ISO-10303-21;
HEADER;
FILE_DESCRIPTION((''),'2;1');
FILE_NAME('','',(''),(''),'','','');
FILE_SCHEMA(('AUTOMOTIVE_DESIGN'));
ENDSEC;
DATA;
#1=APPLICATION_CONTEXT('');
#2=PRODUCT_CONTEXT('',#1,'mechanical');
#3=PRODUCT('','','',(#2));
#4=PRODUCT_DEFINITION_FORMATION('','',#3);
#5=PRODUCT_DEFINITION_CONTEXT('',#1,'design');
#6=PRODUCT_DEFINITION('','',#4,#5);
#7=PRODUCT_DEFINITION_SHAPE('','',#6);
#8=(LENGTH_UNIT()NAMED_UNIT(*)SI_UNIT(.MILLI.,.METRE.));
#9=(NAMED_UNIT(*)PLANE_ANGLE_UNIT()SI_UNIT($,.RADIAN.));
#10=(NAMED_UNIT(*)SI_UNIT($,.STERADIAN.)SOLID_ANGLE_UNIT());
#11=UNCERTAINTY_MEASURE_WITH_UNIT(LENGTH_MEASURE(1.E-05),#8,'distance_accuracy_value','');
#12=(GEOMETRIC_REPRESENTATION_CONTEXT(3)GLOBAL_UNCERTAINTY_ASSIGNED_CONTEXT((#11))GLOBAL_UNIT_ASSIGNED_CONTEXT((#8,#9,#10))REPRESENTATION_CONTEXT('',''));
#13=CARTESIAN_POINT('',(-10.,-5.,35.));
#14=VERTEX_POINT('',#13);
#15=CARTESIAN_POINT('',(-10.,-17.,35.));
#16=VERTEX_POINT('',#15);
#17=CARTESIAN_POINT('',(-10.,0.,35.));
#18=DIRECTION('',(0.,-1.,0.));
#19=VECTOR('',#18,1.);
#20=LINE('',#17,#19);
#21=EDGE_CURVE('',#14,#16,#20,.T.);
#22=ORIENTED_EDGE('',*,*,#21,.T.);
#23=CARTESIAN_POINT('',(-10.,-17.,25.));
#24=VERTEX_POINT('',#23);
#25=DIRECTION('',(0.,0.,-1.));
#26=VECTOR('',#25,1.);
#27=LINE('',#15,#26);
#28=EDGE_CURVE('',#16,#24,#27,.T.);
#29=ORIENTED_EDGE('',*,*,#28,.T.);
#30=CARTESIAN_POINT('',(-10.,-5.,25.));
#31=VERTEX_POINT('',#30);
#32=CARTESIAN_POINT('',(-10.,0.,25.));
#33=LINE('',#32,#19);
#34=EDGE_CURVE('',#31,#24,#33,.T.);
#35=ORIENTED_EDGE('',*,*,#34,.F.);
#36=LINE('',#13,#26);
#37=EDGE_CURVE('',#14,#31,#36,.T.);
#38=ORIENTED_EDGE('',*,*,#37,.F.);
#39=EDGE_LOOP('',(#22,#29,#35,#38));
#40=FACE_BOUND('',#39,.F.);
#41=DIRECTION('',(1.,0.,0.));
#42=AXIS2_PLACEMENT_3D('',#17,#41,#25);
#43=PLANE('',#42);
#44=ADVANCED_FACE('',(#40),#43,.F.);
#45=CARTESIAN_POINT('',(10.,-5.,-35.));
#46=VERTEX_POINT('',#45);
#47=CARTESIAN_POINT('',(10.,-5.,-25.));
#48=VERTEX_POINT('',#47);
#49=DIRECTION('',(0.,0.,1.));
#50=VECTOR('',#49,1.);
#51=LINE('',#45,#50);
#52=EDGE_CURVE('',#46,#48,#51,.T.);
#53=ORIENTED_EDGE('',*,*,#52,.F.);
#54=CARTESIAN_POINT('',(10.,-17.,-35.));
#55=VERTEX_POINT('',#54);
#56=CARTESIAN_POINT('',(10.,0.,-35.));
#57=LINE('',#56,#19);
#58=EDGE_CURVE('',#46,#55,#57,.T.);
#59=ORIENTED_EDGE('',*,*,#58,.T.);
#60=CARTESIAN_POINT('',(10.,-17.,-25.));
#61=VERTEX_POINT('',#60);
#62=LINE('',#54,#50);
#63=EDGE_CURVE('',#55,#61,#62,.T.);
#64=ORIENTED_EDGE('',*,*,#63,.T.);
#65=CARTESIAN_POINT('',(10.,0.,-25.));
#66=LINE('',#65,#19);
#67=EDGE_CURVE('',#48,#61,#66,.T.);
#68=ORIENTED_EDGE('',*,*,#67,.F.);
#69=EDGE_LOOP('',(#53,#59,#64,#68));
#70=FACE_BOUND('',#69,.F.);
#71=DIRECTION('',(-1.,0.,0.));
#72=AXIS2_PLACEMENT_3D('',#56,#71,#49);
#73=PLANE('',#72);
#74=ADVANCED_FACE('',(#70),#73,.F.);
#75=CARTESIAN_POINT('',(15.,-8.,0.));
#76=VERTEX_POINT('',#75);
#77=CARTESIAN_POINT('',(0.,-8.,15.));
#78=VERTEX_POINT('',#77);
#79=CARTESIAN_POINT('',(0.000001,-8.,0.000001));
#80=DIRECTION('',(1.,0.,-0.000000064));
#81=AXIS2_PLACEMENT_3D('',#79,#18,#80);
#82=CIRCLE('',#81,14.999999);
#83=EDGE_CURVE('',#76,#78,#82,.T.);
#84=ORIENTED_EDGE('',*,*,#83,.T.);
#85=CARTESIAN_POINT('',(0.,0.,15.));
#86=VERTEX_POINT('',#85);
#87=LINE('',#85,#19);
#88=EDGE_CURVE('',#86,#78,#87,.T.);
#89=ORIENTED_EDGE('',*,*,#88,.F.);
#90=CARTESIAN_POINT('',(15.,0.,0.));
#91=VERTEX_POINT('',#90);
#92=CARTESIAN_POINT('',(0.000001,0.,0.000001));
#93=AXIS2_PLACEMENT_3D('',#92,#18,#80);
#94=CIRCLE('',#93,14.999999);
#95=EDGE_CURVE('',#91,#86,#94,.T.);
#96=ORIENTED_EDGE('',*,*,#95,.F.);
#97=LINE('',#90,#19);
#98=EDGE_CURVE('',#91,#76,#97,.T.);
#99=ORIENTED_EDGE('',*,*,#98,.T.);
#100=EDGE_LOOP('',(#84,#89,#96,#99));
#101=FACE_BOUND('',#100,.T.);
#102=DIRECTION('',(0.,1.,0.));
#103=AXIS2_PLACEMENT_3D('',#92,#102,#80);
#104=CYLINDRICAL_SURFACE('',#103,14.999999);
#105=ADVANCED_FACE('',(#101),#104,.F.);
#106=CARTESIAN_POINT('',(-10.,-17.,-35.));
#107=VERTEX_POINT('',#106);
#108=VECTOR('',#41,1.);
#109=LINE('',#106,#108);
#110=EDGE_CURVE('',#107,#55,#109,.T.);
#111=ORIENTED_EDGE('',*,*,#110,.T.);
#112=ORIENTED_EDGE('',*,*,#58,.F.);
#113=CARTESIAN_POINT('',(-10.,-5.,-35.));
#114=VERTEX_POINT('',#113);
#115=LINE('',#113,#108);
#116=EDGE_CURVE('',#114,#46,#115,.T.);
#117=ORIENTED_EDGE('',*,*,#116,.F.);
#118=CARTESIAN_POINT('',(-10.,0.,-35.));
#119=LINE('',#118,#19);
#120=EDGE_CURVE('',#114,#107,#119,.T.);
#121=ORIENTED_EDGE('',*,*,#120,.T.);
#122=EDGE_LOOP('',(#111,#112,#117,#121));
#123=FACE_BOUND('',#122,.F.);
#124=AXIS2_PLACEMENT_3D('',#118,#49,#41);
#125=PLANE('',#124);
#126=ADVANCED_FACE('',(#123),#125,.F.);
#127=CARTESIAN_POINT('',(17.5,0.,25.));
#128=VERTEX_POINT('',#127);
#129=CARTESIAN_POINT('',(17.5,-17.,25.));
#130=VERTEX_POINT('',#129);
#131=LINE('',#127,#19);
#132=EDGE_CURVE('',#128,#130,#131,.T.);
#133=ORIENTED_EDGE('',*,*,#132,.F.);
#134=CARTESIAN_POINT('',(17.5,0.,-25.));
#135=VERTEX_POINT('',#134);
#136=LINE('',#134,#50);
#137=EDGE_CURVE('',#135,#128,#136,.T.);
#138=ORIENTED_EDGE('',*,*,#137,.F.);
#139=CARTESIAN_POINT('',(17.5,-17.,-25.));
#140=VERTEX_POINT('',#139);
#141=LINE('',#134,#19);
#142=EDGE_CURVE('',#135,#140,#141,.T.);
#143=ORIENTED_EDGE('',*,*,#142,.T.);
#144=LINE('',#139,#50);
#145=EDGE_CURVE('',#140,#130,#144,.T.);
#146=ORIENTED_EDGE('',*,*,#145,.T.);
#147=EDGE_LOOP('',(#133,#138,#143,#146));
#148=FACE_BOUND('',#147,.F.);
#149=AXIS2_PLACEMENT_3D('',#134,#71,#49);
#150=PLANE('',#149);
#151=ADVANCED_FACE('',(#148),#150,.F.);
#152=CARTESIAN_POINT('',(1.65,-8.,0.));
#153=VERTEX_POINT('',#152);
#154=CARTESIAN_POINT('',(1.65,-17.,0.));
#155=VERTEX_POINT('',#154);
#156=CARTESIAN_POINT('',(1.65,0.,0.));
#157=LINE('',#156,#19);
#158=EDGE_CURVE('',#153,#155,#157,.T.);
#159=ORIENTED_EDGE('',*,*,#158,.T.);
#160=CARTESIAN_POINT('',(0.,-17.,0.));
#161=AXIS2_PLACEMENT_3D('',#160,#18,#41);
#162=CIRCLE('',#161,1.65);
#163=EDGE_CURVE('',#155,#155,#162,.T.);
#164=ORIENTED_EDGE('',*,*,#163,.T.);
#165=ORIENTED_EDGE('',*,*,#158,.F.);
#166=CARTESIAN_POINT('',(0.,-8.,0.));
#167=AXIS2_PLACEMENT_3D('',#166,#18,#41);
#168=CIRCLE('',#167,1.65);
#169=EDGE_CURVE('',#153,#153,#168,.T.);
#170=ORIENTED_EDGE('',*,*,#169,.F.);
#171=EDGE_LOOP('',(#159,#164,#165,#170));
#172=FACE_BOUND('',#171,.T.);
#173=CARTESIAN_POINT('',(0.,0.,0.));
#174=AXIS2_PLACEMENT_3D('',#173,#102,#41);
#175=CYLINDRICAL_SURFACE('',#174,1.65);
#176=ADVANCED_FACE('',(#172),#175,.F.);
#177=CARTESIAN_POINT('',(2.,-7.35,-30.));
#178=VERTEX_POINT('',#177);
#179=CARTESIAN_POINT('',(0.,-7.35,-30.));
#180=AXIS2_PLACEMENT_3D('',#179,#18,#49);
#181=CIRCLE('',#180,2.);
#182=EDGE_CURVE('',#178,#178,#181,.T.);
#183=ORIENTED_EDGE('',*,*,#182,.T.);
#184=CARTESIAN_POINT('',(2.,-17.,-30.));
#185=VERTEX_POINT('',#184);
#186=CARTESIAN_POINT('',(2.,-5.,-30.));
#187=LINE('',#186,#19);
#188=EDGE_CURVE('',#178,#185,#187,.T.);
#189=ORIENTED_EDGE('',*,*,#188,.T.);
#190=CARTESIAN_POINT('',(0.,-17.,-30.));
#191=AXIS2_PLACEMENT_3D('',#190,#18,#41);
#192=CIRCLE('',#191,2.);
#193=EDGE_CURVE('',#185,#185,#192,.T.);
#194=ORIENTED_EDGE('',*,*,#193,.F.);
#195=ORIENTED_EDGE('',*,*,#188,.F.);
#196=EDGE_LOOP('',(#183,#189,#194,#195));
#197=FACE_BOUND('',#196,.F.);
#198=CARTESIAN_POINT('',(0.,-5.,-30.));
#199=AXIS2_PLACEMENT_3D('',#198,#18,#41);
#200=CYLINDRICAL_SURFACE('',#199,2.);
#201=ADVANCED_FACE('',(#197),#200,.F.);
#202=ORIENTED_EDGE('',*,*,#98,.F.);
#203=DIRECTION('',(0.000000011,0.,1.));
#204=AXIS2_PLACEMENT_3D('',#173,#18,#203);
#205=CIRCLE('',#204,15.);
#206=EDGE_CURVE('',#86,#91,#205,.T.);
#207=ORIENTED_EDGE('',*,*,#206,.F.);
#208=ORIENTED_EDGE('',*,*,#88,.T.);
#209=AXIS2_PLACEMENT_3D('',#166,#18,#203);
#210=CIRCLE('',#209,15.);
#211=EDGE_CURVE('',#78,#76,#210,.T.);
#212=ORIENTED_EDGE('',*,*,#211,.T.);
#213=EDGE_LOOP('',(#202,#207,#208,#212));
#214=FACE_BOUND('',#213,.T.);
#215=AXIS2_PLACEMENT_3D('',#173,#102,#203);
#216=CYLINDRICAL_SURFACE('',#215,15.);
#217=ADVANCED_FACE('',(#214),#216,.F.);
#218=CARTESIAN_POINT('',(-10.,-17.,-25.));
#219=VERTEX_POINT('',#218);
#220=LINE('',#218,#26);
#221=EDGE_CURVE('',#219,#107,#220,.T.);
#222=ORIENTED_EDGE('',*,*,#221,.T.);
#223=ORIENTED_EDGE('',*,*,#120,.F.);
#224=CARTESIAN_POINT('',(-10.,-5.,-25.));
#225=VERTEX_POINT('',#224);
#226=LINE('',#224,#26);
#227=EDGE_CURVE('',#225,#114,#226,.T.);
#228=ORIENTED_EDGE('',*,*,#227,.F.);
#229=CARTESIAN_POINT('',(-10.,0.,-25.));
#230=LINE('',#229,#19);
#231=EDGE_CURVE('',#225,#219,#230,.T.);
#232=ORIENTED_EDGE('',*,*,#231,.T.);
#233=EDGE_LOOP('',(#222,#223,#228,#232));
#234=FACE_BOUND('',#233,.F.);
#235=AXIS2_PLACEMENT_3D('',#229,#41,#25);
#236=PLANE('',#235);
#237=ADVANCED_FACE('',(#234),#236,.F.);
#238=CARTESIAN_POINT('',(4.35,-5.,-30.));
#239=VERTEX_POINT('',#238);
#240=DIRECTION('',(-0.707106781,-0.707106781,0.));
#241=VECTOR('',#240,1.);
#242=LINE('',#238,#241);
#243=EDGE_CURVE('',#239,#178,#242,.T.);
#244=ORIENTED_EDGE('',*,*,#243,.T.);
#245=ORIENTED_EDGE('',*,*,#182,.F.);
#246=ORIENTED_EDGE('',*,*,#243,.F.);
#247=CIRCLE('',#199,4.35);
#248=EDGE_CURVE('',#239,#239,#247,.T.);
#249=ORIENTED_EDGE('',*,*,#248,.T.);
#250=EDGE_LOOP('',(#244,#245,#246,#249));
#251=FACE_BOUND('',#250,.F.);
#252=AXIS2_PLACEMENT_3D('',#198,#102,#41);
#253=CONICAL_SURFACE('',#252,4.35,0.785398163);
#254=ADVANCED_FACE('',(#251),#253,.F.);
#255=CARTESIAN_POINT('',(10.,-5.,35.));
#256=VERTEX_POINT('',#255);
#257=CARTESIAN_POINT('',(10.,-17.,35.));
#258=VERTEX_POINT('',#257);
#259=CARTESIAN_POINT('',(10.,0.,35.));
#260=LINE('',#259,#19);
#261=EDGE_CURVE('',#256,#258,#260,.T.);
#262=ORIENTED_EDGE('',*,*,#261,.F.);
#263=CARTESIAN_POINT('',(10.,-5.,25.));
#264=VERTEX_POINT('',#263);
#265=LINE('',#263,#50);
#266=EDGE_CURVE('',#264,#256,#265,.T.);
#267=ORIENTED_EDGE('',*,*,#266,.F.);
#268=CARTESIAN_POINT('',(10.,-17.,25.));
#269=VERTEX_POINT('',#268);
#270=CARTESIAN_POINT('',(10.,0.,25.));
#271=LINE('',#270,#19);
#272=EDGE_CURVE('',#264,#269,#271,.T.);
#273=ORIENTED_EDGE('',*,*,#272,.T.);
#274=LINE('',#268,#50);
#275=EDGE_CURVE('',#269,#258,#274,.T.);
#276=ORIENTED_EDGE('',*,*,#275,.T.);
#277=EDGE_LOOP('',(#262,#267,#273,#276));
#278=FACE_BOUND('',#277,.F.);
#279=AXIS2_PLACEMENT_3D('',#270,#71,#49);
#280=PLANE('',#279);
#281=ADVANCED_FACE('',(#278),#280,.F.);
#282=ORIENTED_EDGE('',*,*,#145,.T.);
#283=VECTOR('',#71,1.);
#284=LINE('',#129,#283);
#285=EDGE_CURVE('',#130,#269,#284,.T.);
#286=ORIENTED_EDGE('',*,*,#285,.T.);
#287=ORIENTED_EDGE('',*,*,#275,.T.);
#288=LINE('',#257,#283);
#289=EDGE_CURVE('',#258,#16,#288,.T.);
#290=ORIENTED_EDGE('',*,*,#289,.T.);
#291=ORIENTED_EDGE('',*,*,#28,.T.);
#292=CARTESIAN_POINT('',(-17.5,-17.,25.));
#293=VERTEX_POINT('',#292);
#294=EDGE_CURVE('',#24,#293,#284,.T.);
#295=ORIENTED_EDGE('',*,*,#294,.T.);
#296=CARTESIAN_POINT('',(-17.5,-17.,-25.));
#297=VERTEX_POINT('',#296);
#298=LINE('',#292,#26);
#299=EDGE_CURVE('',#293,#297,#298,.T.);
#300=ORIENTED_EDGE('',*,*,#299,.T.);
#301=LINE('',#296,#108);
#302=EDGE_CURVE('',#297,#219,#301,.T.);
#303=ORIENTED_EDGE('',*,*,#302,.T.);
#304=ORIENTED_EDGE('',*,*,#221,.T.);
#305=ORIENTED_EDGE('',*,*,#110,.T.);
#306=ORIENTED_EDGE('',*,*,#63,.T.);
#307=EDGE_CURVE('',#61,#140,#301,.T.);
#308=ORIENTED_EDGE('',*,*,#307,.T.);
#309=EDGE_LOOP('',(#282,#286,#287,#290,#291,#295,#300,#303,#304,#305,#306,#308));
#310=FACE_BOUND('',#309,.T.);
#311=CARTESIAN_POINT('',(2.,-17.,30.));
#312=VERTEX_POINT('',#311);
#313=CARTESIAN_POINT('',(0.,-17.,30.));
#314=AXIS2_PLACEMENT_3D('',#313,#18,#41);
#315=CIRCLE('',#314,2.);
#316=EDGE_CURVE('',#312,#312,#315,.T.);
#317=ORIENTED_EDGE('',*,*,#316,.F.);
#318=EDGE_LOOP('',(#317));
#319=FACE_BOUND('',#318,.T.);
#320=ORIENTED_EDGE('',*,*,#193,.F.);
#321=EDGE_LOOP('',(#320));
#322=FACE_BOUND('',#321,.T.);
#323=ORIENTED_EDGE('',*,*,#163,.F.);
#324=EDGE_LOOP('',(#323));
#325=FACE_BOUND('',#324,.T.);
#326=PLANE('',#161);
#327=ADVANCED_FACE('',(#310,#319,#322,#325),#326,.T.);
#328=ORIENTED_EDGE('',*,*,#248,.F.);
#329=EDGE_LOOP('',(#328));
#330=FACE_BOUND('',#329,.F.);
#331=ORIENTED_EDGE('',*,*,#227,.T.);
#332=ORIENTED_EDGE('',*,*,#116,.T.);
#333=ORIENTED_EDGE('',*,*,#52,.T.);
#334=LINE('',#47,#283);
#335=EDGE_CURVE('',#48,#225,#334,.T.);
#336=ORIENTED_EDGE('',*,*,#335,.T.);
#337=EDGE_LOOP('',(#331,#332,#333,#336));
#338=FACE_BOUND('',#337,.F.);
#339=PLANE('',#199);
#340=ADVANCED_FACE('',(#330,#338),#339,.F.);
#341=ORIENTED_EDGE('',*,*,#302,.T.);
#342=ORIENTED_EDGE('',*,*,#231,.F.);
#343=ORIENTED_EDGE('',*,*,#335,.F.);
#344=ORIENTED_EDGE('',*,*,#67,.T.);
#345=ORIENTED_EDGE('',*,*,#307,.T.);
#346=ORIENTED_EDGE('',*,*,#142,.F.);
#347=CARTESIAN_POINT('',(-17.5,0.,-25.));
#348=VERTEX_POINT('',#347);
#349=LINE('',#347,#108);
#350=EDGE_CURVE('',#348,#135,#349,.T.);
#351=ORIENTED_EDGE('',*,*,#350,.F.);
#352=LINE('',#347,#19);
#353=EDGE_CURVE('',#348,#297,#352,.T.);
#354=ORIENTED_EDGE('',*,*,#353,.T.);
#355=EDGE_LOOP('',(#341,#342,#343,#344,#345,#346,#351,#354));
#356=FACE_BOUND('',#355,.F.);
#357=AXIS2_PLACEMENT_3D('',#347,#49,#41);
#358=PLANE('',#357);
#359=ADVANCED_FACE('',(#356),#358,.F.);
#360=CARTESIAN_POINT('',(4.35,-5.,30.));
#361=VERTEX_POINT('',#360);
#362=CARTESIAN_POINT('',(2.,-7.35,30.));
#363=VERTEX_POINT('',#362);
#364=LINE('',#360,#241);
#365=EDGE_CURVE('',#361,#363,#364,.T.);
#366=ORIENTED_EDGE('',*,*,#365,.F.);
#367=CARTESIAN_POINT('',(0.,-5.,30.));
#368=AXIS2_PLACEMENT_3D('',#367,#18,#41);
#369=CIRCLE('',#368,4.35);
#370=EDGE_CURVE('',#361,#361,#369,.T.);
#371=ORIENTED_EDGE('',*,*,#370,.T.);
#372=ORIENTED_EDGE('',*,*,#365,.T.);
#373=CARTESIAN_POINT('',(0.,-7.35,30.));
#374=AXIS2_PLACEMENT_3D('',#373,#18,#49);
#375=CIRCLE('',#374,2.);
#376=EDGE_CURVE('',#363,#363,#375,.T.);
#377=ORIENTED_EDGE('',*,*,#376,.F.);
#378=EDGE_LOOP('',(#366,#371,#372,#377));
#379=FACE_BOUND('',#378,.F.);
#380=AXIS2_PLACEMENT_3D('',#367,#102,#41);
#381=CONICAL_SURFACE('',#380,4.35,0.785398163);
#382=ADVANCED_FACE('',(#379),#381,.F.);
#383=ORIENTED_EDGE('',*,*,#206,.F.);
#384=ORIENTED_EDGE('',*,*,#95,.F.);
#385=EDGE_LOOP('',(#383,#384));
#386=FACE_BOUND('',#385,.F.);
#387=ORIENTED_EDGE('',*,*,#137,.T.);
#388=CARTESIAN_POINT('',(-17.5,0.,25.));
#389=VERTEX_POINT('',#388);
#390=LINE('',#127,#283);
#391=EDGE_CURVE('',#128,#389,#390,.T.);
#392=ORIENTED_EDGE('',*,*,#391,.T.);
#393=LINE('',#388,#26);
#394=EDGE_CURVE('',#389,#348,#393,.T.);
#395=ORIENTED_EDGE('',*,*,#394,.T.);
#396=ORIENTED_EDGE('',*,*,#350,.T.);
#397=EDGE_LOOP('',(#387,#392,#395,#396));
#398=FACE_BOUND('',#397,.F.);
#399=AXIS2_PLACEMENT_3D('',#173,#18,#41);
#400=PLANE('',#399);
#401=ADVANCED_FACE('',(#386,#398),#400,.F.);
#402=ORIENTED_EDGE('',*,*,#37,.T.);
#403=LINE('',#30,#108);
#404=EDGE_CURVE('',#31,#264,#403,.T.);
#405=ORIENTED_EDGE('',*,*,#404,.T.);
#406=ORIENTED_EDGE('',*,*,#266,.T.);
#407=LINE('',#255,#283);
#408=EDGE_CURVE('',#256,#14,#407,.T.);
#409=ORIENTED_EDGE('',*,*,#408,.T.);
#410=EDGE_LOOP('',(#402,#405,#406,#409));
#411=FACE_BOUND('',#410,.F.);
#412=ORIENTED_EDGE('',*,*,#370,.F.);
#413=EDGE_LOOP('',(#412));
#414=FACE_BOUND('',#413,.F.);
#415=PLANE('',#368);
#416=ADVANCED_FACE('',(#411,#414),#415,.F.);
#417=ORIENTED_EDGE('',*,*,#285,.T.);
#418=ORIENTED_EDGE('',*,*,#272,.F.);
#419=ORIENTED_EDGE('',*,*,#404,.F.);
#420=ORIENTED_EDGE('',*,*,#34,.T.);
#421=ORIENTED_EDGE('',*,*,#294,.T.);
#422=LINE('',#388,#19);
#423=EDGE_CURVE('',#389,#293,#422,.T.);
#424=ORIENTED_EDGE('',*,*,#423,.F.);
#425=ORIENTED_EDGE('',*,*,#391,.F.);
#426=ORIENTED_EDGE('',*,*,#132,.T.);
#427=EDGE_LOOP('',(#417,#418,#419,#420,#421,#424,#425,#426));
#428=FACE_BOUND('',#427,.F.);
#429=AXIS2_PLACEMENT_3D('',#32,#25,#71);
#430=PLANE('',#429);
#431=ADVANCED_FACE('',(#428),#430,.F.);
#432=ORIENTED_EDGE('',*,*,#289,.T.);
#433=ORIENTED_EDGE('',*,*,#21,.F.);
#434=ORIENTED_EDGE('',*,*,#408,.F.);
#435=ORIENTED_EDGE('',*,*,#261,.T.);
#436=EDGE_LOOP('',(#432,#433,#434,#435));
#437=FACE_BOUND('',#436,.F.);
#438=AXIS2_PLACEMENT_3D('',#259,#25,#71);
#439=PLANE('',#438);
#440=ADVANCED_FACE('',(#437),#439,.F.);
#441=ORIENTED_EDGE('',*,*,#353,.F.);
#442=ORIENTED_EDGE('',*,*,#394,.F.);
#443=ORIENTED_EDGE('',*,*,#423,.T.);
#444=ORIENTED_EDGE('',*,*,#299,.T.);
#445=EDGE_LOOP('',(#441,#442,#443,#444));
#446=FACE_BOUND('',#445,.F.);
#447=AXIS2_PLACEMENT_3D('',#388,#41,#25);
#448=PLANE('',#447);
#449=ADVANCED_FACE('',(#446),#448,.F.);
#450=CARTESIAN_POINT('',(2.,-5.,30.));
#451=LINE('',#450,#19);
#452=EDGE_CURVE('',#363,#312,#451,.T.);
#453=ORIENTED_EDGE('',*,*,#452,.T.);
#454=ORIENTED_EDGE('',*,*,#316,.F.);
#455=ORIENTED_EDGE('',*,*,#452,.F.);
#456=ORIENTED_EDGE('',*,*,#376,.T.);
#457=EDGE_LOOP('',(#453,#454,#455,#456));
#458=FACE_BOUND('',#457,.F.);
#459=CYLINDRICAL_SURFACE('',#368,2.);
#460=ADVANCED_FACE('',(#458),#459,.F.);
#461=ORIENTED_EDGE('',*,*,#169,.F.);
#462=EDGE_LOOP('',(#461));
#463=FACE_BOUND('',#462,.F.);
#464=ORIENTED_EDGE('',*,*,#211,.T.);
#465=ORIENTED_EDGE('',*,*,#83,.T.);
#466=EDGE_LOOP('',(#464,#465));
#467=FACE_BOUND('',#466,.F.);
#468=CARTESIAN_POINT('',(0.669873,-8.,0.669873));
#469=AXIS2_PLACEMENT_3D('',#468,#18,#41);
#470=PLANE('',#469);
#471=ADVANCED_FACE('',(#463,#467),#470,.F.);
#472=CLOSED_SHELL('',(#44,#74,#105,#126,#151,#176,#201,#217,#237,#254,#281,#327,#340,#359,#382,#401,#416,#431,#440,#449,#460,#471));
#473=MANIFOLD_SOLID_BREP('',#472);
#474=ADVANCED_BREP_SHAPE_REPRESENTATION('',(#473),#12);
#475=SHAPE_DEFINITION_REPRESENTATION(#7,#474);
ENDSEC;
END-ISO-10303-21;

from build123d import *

# Parameters (mm, degrees)
F0_R           = 1.65
F1_DEPTH       = 17
F2_DEPTH       = 8
F3_DEPTH       = 5
F6_D           = 4
F6_CSINK_D     = 8.7
F6_CSINK_ANGLE = 90


with BuildPart() as f1:
    # F0 (on Front) → F1 (new body)
    with BuildSketch(Plane.XZ):
        Polygon((10, 25), (0, 25), (-10, 25), (-17.5, 25), (-17.5, 0), (-17.5, -25), (-10, -25), (0, -25), (10, -25), (17.5, -25), (17.5, 25), align=None)
        with BuildLine():
            ThreePointArc((0, 15), (10.606602, 10.606602), (15, 0))
            ThreePointArc((15, 0), (-10.606602, -10.606602), (0, 15))
        make_face(mode=Mode.SUBTRACT)
        with BuildLine():
            ThreePointArc((0, 15), (-10.606602, -10.606602), (15, 0))
            ThreePointArc((15, 0), (10.606602, 10.606602), (0, 15))
        make_face()
        Circle(F0_R, mode=Mode.SUBTRACT)
        Polygon((-10, 25), (0, 25), (10, 25), (10, 35), (0, 35), (-10, 35), align=None)
        Polygon((10, -35), (10, -25), (0, -25), (-10, -25), (-10, -35), (0, -35), align=None)
    extrude(amount=F1_DEPTH)

    # F0 (on Front) → F2 (cut)
    with BuildSketch(Plane.XZ):
        with BuildLine():
            ThreePointArc((0, 15), (-10.606602, -10.606602), (15, 0))
            ThreePointArc((15, 0), (10.606602, 10.606602), (0, 15))
        make_face()
        Circle(F0_R, mode=Mode.SUBTRACT)
    extrude(amount=F2_DEPTH, mode=Mode.SUBTRACT)

    # F0 (on Front) → F3 (cut)
    with BuildSketch(Plane.XZ):
        Polygon((-10, 25), (0, 25), (10, 25), (10, 35), (0, 35), (-10, 35), align=None)
        Polygon((10, -35), (10, -25), (0, -25), (-10, -25), (-10, -35), (0, -35), align=None)
    extrude(amount=F3_DEPTH, mode=Mode.SUBTRACT)

    # F6 (through all)
    with Locations(Plane(origin=(0, -5, 0), x_dir=(-1, 0, 0), z_dir=(0, 1, 0))):
        with Locations((0, -30), (0, 30)):
            CounterSinkHole(F6_D / 2, F6_CSINK_D / 2, counter_sink_angle=F6_CSINK_ANGLE)


solid = f1.part
